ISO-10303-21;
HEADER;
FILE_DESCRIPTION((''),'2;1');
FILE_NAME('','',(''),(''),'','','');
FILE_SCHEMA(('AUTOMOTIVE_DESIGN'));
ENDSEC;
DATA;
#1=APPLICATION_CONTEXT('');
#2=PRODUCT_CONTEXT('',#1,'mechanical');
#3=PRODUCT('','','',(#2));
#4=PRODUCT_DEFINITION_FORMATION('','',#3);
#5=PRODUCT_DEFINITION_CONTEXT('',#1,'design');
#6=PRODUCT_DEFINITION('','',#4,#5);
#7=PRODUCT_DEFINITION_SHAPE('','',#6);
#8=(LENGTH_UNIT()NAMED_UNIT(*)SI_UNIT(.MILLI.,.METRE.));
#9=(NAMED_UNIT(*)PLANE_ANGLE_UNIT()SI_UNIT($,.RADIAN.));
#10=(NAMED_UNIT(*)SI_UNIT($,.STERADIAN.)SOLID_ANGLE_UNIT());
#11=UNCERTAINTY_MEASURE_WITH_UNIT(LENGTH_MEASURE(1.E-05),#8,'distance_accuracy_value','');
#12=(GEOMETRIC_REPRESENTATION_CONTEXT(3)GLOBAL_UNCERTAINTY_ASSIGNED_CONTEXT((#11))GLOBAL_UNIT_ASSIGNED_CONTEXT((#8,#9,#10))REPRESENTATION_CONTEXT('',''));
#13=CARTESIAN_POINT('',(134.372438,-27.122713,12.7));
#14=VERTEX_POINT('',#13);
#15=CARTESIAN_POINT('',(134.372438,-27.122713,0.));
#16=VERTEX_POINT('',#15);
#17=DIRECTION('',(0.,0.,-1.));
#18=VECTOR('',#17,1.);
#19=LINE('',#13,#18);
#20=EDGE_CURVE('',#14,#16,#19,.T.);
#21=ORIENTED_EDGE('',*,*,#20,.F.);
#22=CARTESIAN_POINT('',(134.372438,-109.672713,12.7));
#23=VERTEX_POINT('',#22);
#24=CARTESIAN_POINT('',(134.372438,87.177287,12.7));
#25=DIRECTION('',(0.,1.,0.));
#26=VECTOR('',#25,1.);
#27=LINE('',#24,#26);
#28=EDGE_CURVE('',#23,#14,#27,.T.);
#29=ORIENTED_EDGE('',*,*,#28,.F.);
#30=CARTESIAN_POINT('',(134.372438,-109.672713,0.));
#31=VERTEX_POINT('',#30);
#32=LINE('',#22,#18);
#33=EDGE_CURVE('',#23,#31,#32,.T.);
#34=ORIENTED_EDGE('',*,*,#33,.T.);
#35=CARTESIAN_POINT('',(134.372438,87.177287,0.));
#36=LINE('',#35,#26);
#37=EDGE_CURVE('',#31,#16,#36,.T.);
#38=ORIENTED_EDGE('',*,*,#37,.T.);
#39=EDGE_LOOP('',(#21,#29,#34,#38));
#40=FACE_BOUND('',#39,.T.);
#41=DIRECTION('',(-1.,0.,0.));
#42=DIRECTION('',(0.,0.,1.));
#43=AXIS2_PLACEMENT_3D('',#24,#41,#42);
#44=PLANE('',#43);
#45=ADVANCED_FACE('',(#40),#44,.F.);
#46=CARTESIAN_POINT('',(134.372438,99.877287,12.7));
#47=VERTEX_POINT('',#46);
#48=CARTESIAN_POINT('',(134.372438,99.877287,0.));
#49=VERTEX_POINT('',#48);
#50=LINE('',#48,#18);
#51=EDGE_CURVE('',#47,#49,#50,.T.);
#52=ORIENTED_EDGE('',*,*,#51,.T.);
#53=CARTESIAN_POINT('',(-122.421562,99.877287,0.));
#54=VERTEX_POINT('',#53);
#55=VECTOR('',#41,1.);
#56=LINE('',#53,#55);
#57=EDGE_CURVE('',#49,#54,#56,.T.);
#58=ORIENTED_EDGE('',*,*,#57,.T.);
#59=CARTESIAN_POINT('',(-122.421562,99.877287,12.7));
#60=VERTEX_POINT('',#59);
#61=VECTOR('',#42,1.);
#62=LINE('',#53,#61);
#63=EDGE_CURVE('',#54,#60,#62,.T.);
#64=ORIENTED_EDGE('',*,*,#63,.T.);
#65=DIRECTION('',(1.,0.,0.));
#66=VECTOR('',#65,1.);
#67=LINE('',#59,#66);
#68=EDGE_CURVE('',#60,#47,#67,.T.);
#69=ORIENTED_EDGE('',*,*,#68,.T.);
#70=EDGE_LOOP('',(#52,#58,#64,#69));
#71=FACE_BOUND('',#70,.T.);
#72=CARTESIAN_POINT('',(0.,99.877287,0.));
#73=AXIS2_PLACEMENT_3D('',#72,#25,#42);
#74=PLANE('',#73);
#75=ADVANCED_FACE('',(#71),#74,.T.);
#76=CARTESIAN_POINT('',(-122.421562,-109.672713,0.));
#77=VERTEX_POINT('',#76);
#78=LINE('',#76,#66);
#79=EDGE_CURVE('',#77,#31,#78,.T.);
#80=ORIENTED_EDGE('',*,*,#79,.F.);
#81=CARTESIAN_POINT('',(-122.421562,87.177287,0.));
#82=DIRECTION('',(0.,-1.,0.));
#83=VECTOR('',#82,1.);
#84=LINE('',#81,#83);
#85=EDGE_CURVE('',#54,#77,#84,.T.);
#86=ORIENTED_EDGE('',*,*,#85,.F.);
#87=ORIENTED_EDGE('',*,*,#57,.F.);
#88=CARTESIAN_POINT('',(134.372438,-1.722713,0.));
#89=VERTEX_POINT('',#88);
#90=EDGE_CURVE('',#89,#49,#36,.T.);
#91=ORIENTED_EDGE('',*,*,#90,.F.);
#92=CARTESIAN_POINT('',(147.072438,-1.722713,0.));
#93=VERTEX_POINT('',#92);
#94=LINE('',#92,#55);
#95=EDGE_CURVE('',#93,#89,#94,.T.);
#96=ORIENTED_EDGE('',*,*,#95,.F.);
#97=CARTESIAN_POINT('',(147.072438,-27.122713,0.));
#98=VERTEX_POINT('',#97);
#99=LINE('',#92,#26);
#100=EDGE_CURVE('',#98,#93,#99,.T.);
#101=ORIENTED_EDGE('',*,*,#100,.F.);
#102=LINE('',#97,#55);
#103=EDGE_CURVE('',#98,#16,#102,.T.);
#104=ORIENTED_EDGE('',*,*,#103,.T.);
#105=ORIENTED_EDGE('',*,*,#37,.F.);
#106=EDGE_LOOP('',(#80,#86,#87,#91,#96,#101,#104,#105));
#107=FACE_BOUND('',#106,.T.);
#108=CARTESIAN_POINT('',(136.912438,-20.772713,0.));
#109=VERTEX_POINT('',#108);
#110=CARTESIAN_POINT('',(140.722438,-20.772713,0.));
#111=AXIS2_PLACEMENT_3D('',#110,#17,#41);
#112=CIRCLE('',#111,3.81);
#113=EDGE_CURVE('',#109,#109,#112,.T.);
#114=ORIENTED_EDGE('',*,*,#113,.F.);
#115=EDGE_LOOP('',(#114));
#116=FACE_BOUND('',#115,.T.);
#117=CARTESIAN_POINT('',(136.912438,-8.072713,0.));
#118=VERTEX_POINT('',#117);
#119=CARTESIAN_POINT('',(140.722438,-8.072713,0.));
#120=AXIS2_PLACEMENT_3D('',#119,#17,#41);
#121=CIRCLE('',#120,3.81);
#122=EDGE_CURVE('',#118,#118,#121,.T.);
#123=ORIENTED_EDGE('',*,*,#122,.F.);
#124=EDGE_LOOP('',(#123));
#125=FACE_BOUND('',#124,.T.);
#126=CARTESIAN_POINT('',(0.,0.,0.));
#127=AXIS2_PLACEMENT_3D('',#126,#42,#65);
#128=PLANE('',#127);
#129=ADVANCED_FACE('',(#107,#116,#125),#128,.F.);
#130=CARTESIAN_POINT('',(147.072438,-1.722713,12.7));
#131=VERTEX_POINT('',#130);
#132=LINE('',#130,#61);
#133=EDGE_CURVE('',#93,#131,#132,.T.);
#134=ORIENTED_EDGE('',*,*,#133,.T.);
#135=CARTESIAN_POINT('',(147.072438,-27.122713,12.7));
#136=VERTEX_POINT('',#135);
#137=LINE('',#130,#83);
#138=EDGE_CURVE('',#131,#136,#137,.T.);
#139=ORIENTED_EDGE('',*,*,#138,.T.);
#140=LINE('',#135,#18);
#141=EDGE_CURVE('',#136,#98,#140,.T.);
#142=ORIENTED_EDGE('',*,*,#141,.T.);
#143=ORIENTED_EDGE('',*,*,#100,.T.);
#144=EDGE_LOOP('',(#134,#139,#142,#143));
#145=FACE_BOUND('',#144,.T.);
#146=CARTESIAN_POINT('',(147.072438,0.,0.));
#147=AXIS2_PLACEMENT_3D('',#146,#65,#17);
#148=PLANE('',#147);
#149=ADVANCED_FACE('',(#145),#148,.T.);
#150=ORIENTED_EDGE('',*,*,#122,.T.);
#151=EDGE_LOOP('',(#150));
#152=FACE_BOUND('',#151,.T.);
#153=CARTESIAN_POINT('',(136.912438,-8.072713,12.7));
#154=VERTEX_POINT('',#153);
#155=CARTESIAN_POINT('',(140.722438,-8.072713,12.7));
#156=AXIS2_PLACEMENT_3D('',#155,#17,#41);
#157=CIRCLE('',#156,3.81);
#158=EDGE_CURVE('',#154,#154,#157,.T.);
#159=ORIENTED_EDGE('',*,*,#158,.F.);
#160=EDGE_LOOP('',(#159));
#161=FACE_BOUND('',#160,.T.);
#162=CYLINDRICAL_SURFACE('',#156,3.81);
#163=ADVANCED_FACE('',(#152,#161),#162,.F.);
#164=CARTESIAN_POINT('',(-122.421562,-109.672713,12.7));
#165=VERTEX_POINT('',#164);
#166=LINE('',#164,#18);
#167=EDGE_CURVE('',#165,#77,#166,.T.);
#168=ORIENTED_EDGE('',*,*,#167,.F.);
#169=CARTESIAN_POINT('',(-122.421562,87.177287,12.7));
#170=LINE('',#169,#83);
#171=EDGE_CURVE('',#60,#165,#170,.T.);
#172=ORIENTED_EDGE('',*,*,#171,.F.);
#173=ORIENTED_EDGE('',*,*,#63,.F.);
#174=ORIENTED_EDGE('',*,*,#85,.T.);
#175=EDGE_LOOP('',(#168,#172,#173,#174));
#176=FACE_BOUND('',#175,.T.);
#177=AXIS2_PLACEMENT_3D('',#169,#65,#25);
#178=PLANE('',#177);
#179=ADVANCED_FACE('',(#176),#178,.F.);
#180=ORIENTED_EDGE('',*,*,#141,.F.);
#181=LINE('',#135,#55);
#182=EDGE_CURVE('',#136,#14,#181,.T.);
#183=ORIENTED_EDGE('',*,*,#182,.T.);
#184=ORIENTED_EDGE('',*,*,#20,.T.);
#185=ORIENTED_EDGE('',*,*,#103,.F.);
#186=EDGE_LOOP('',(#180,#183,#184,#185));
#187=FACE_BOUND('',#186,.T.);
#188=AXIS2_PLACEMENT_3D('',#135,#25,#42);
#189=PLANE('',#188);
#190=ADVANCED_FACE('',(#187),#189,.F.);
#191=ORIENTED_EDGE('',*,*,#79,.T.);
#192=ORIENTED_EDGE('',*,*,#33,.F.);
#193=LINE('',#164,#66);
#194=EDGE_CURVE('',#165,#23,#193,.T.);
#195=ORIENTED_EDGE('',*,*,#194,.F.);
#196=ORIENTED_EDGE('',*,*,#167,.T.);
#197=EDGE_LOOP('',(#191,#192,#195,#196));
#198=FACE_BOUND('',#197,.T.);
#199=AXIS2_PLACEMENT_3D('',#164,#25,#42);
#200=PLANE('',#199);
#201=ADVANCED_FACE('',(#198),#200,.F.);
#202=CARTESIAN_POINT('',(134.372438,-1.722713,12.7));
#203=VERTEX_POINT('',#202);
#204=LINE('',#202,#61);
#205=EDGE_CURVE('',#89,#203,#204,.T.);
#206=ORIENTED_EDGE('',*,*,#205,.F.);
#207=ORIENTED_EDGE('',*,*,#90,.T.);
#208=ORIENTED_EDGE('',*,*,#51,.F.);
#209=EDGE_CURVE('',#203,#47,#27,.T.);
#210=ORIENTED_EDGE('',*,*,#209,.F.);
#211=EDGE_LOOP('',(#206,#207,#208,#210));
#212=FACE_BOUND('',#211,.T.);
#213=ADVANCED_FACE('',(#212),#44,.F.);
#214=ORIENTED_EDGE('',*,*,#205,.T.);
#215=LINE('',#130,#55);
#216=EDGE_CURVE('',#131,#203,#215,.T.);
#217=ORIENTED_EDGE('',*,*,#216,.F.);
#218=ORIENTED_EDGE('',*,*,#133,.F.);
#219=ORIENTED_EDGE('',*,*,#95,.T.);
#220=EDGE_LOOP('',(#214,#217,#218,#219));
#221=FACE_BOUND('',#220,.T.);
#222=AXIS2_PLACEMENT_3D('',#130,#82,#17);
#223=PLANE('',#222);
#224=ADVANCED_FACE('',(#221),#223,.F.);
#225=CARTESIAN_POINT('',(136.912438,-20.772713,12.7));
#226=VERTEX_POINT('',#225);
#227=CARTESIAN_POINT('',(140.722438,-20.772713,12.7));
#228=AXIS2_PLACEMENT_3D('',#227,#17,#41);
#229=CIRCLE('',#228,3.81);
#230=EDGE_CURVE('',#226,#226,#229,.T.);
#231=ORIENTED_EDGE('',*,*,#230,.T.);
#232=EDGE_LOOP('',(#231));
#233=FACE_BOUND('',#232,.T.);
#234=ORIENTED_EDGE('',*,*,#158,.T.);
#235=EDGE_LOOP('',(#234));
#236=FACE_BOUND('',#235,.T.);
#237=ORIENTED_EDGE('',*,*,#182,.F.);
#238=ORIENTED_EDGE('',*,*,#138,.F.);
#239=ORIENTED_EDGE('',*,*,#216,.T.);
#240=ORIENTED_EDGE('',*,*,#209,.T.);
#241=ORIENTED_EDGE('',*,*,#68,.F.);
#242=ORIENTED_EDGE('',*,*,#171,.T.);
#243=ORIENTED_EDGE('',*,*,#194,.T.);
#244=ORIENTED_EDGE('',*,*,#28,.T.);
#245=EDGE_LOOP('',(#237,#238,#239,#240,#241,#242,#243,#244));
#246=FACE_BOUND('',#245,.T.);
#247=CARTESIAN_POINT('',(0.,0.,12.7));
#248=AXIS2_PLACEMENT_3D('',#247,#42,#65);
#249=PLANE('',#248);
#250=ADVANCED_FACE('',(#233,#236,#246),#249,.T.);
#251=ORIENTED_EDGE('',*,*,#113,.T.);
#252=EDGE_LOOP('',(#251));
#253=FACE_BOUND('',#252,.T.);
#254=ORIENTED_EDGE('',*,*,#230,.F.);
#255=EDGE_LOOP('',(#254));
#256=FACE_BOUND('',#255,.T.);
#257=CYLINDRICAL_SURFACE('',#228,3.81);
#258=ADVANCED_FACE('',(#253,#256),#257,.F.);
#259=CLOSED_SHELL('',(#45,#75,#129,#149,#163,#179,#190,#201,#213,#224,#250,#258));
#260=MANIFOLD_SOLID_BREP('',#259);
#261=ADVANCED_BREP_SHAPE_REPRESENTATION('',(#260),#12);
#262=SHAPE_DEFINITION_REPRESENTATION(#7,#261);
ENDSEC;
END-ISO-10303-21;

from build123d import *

# Parameters (mm, degrees)
SKETCH2_W           = 256.794
SKETCH2_H           = 196.85
BOSS_EXTRUDE1_DEPTH = 12.7
SKETCH3_W           = 12.7
SKETCH3_H           = 25.4
BOSS_EXTRUDE2_DEPTH = 12.7
SKETCH4_R           = 3.81
CUT_EXTRUDE1_DEPTH  = 12.7
SKETCH5_W           = 256.794
SKETCH5_H           = 12.7
BOSS_EXTRUDE3_DEPTH = 12.7


with BuildPart() as part:
    # Sketch2 → Boss-Extrude1 (new body)
    with BuildSketch(Plane.XY):
        with Locations((5.975438209, -11.247712934)):
            Rectangle(SKETCH2_W, SKETCH2_H)
    extrude(amount=BOSS_EXTRUDE1_DEPTH)

    # Sketch3 → Boss-Extrude2 (add)
    with BuildSketch(Plane(origin=(134.372438209, 0, 0), x_dir=(0, 0, -1), z_dir=(1, 0, 0))):
        with Locations((-6.35, -14.422712934)):
            Rectangle(SKETCH3_W, SKETCH3_H)
    extrude(amount=BOSS_EXTRUDE2_DEPTH)

    # Sketch4 → Cut-Extrude1 (cut)
    with BuildSketch(Plane(origin=(0, 0, 0), x_dir=(-1, 0, 0), z_dir=(0, 0, -1))):
        with Locations((-140.722438209, -8.072712934)):
            Circle(SKETCH4_R)
        with Locations((-140.722438209, -20.772712934)):
            Circle(SKETCH4_R)
    extrude(amount=-CUT_EXTRUDE1_DEPTH, mode=Mode.SUBTRACT)

    # Sketch5 → Boss-Extrude3 (add)
    with BuildSketch(Plane(origin=(0, 87.177287066, 0), x_dir=(1, 0, 0), z_dir=(0, 1, 0))):
        with Locations((5.975438209, -6.35)):
            Rectangle(SKETCH5_W, SKETCH5_H)
    extrude(amount=BOSS_EXTRUDE3_DEPTH)


solid = part.part
